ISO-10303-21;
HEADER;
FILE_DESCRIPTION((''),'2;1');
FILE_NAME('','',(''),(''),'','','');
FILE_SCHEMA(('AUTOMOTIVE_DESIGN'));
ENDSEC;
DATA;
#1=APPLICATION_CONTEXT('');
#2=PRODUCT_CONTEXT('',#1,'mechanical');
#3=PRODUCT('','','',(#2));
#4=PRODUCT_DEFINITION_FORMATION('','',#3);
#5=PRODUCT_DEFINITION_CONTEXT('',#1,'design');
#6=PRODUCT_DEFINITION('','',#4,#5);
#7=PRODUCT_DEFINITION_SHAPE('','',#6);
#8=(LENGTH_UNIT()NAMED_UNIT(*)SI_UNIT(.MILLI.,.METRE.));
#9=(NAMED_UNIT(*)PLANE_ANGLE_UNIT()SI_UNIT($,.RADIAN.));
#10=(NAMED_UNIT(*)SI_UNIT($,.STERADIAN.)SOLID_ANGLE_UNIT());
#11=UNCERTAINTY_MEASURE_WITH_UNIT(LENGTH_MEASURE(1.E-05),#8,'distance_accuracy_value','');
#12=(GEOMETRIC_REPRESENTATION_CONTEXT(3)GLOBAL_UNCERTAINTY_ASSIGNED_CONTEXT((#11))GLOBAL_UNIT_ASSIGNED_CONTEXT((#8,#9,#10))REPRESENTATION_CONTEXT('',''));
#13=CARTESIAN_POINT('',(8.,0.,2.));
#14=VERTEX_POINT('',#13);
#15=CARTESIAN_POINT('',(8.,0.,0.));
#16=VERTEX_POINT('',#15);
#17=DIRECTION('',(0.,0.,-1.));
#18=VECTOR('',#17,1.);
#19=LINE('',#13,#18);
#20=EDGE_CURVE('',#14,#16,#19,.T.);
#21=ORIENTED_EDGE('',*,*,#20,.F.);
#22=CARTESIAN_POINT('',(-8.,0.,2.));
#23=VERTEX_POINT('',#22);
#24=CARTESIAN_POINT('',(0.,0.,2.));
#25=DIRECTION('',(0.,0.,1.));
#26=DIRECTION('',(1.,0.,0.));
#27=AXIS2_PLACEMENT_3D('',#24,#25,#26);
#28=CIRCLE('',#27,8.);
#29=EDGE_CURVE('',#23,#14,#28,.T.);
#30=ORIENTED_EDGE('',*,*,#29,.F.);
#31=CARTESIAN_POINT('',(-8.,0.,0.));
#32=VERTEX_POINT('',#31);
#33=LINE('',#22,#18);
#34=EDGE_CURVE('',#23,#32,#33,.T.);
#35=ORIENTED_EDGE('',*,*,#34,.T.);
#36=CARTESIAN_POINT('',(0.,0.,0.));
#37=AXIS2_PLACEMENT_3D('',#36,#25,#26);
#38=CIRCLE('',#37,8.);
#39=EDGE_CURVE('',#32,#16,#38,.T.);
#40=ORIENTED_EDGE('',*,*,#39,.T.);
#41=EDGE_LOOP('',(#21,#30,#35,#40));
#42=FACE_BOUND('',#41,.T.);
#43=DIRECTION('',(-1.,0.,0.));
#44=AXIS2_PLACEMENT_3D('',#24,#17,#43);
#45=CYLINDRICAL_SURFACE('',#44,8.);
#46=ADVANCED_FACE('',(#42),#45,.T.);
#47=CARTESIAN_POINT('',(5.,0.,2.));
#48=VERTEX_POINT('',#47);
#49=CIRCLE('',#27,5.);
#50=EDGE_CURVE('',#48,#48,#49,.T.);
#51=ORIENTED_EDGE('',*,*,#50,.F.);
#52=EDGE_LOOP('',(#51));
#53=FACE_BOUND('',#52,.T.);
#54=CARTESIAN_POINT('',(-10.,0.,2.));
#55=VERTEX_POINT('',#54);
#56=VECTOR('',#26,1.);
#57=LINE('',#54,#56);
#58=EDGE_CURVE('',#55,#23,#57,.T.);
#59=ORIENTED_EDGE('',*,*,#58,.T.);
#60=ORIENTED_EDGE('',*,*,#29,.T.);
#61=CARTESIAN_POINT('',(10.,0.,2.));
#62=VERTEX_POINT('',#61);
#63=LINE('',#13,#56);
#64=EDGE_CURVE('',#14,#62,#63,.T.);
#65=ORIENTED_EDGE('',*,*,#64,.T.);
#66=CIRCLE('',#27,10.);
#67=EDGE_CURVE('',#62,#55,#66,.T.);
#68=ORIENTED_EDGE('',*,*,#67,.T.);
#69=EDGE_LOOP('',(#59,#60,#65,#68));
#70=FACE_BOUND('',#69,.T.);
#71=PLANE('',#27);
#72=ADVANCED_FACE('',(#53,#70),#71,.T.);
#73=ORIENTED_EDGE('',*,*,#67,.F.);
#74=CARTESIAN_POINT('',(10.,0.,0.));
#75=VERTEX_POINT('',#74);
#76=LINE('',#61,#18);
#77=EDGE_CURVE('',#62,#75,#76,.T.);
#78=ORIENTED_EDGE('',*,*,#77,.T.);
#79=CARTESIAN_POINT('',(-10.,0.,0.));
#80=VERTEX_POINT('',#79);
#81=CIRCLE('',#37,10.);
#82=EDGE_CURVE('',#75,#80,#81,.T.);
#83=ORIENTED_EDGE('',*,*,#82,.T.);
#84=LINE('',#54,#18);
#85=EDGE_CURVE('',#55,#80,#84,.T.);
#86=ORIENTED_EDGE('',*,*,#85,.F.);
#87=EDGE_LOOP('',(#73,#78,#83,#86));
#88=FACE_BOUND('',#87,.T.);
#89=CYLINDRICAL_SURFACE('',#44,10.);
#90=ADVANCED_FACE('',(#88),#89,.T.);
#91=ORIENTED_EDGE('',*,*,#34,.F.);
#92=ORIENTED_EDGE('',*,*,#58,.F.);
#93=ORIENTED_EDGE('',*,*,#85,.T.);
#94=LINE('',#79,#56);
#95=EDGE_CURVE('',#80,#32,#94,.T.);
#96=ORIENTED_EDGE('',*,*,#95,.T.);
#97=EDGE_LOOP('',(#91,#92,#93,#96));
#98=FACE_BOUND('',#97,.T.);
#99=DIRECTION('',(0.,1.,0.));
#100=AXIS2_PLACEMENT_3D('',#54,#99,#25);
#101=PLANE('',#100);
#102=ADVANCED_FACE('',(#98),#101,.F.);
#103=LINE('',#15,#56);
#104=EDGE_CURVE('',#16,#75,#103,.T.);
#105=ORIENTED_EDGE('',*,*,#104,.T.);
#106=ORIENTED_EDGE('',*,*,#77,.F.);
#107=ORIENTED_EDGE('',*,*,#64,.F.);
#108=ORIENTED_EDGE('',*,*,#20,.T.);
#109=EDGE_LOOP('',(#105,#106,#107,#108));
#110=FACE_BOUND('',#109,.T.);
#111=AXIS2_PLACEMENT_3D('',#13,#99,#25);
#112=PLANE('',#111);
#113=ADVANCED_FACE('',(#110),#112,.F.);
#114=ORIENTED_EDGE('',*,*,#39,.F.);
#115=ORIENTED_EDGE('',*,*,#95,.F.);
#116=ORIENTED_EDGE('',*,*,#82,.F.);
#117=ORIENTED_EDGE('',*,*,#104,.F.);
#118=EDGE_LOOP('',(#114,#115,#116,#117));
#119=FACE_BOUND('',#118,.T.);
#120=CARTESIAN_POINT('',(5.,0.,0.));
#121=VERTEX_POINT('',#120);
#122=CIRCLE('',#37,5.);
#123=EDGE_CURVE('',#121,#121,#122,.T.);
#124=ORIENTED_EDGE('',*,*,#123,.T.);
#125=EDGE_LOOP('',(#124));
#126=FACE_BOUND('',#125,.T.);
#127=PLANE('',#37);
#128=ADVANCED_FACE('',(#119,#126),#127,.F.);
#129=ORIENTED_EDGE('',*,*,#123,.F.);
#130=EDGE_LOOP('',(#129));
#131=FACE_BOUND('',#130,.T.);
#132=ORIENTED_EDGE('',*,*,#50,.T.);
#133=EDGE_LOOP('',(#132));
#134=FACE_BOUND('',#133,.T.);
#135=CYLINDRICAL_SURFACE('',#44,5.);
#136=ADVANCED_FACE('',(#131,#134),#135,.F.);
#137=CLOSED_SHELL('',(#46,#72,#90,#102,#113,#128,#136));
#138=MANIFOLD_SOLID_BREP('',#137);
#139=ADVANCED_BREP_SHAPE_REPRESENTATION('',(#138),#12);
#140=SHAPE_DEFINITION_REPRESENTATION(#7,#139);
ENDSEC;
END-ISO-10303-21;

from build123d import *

# Parameters (mm, degrees)
SKETCH1_R           = 5
BOSS_EXTRUDE1_DEPTH = 2


with BuildPart() as part:
    # Sketch1 → Boss-Extrude1 (new body)
    with BuildSketch(Plane.XY):
        with BuildLine():
            Line((-10, 0), (-8, 0))
            ThreePointArc((-8, 0), (0, -8), (8, 0))
            Line((8, 0), (10, 0))
            ThreePointArc((10, 0), (0, 10), (-10, 0))
        make_face()
        Circle(SKETCH1_R, mode=Mode.SUBTRACT)
    extrude(amount=BOSS_EXTRUDE1_DEPTH)


solid = part.part
